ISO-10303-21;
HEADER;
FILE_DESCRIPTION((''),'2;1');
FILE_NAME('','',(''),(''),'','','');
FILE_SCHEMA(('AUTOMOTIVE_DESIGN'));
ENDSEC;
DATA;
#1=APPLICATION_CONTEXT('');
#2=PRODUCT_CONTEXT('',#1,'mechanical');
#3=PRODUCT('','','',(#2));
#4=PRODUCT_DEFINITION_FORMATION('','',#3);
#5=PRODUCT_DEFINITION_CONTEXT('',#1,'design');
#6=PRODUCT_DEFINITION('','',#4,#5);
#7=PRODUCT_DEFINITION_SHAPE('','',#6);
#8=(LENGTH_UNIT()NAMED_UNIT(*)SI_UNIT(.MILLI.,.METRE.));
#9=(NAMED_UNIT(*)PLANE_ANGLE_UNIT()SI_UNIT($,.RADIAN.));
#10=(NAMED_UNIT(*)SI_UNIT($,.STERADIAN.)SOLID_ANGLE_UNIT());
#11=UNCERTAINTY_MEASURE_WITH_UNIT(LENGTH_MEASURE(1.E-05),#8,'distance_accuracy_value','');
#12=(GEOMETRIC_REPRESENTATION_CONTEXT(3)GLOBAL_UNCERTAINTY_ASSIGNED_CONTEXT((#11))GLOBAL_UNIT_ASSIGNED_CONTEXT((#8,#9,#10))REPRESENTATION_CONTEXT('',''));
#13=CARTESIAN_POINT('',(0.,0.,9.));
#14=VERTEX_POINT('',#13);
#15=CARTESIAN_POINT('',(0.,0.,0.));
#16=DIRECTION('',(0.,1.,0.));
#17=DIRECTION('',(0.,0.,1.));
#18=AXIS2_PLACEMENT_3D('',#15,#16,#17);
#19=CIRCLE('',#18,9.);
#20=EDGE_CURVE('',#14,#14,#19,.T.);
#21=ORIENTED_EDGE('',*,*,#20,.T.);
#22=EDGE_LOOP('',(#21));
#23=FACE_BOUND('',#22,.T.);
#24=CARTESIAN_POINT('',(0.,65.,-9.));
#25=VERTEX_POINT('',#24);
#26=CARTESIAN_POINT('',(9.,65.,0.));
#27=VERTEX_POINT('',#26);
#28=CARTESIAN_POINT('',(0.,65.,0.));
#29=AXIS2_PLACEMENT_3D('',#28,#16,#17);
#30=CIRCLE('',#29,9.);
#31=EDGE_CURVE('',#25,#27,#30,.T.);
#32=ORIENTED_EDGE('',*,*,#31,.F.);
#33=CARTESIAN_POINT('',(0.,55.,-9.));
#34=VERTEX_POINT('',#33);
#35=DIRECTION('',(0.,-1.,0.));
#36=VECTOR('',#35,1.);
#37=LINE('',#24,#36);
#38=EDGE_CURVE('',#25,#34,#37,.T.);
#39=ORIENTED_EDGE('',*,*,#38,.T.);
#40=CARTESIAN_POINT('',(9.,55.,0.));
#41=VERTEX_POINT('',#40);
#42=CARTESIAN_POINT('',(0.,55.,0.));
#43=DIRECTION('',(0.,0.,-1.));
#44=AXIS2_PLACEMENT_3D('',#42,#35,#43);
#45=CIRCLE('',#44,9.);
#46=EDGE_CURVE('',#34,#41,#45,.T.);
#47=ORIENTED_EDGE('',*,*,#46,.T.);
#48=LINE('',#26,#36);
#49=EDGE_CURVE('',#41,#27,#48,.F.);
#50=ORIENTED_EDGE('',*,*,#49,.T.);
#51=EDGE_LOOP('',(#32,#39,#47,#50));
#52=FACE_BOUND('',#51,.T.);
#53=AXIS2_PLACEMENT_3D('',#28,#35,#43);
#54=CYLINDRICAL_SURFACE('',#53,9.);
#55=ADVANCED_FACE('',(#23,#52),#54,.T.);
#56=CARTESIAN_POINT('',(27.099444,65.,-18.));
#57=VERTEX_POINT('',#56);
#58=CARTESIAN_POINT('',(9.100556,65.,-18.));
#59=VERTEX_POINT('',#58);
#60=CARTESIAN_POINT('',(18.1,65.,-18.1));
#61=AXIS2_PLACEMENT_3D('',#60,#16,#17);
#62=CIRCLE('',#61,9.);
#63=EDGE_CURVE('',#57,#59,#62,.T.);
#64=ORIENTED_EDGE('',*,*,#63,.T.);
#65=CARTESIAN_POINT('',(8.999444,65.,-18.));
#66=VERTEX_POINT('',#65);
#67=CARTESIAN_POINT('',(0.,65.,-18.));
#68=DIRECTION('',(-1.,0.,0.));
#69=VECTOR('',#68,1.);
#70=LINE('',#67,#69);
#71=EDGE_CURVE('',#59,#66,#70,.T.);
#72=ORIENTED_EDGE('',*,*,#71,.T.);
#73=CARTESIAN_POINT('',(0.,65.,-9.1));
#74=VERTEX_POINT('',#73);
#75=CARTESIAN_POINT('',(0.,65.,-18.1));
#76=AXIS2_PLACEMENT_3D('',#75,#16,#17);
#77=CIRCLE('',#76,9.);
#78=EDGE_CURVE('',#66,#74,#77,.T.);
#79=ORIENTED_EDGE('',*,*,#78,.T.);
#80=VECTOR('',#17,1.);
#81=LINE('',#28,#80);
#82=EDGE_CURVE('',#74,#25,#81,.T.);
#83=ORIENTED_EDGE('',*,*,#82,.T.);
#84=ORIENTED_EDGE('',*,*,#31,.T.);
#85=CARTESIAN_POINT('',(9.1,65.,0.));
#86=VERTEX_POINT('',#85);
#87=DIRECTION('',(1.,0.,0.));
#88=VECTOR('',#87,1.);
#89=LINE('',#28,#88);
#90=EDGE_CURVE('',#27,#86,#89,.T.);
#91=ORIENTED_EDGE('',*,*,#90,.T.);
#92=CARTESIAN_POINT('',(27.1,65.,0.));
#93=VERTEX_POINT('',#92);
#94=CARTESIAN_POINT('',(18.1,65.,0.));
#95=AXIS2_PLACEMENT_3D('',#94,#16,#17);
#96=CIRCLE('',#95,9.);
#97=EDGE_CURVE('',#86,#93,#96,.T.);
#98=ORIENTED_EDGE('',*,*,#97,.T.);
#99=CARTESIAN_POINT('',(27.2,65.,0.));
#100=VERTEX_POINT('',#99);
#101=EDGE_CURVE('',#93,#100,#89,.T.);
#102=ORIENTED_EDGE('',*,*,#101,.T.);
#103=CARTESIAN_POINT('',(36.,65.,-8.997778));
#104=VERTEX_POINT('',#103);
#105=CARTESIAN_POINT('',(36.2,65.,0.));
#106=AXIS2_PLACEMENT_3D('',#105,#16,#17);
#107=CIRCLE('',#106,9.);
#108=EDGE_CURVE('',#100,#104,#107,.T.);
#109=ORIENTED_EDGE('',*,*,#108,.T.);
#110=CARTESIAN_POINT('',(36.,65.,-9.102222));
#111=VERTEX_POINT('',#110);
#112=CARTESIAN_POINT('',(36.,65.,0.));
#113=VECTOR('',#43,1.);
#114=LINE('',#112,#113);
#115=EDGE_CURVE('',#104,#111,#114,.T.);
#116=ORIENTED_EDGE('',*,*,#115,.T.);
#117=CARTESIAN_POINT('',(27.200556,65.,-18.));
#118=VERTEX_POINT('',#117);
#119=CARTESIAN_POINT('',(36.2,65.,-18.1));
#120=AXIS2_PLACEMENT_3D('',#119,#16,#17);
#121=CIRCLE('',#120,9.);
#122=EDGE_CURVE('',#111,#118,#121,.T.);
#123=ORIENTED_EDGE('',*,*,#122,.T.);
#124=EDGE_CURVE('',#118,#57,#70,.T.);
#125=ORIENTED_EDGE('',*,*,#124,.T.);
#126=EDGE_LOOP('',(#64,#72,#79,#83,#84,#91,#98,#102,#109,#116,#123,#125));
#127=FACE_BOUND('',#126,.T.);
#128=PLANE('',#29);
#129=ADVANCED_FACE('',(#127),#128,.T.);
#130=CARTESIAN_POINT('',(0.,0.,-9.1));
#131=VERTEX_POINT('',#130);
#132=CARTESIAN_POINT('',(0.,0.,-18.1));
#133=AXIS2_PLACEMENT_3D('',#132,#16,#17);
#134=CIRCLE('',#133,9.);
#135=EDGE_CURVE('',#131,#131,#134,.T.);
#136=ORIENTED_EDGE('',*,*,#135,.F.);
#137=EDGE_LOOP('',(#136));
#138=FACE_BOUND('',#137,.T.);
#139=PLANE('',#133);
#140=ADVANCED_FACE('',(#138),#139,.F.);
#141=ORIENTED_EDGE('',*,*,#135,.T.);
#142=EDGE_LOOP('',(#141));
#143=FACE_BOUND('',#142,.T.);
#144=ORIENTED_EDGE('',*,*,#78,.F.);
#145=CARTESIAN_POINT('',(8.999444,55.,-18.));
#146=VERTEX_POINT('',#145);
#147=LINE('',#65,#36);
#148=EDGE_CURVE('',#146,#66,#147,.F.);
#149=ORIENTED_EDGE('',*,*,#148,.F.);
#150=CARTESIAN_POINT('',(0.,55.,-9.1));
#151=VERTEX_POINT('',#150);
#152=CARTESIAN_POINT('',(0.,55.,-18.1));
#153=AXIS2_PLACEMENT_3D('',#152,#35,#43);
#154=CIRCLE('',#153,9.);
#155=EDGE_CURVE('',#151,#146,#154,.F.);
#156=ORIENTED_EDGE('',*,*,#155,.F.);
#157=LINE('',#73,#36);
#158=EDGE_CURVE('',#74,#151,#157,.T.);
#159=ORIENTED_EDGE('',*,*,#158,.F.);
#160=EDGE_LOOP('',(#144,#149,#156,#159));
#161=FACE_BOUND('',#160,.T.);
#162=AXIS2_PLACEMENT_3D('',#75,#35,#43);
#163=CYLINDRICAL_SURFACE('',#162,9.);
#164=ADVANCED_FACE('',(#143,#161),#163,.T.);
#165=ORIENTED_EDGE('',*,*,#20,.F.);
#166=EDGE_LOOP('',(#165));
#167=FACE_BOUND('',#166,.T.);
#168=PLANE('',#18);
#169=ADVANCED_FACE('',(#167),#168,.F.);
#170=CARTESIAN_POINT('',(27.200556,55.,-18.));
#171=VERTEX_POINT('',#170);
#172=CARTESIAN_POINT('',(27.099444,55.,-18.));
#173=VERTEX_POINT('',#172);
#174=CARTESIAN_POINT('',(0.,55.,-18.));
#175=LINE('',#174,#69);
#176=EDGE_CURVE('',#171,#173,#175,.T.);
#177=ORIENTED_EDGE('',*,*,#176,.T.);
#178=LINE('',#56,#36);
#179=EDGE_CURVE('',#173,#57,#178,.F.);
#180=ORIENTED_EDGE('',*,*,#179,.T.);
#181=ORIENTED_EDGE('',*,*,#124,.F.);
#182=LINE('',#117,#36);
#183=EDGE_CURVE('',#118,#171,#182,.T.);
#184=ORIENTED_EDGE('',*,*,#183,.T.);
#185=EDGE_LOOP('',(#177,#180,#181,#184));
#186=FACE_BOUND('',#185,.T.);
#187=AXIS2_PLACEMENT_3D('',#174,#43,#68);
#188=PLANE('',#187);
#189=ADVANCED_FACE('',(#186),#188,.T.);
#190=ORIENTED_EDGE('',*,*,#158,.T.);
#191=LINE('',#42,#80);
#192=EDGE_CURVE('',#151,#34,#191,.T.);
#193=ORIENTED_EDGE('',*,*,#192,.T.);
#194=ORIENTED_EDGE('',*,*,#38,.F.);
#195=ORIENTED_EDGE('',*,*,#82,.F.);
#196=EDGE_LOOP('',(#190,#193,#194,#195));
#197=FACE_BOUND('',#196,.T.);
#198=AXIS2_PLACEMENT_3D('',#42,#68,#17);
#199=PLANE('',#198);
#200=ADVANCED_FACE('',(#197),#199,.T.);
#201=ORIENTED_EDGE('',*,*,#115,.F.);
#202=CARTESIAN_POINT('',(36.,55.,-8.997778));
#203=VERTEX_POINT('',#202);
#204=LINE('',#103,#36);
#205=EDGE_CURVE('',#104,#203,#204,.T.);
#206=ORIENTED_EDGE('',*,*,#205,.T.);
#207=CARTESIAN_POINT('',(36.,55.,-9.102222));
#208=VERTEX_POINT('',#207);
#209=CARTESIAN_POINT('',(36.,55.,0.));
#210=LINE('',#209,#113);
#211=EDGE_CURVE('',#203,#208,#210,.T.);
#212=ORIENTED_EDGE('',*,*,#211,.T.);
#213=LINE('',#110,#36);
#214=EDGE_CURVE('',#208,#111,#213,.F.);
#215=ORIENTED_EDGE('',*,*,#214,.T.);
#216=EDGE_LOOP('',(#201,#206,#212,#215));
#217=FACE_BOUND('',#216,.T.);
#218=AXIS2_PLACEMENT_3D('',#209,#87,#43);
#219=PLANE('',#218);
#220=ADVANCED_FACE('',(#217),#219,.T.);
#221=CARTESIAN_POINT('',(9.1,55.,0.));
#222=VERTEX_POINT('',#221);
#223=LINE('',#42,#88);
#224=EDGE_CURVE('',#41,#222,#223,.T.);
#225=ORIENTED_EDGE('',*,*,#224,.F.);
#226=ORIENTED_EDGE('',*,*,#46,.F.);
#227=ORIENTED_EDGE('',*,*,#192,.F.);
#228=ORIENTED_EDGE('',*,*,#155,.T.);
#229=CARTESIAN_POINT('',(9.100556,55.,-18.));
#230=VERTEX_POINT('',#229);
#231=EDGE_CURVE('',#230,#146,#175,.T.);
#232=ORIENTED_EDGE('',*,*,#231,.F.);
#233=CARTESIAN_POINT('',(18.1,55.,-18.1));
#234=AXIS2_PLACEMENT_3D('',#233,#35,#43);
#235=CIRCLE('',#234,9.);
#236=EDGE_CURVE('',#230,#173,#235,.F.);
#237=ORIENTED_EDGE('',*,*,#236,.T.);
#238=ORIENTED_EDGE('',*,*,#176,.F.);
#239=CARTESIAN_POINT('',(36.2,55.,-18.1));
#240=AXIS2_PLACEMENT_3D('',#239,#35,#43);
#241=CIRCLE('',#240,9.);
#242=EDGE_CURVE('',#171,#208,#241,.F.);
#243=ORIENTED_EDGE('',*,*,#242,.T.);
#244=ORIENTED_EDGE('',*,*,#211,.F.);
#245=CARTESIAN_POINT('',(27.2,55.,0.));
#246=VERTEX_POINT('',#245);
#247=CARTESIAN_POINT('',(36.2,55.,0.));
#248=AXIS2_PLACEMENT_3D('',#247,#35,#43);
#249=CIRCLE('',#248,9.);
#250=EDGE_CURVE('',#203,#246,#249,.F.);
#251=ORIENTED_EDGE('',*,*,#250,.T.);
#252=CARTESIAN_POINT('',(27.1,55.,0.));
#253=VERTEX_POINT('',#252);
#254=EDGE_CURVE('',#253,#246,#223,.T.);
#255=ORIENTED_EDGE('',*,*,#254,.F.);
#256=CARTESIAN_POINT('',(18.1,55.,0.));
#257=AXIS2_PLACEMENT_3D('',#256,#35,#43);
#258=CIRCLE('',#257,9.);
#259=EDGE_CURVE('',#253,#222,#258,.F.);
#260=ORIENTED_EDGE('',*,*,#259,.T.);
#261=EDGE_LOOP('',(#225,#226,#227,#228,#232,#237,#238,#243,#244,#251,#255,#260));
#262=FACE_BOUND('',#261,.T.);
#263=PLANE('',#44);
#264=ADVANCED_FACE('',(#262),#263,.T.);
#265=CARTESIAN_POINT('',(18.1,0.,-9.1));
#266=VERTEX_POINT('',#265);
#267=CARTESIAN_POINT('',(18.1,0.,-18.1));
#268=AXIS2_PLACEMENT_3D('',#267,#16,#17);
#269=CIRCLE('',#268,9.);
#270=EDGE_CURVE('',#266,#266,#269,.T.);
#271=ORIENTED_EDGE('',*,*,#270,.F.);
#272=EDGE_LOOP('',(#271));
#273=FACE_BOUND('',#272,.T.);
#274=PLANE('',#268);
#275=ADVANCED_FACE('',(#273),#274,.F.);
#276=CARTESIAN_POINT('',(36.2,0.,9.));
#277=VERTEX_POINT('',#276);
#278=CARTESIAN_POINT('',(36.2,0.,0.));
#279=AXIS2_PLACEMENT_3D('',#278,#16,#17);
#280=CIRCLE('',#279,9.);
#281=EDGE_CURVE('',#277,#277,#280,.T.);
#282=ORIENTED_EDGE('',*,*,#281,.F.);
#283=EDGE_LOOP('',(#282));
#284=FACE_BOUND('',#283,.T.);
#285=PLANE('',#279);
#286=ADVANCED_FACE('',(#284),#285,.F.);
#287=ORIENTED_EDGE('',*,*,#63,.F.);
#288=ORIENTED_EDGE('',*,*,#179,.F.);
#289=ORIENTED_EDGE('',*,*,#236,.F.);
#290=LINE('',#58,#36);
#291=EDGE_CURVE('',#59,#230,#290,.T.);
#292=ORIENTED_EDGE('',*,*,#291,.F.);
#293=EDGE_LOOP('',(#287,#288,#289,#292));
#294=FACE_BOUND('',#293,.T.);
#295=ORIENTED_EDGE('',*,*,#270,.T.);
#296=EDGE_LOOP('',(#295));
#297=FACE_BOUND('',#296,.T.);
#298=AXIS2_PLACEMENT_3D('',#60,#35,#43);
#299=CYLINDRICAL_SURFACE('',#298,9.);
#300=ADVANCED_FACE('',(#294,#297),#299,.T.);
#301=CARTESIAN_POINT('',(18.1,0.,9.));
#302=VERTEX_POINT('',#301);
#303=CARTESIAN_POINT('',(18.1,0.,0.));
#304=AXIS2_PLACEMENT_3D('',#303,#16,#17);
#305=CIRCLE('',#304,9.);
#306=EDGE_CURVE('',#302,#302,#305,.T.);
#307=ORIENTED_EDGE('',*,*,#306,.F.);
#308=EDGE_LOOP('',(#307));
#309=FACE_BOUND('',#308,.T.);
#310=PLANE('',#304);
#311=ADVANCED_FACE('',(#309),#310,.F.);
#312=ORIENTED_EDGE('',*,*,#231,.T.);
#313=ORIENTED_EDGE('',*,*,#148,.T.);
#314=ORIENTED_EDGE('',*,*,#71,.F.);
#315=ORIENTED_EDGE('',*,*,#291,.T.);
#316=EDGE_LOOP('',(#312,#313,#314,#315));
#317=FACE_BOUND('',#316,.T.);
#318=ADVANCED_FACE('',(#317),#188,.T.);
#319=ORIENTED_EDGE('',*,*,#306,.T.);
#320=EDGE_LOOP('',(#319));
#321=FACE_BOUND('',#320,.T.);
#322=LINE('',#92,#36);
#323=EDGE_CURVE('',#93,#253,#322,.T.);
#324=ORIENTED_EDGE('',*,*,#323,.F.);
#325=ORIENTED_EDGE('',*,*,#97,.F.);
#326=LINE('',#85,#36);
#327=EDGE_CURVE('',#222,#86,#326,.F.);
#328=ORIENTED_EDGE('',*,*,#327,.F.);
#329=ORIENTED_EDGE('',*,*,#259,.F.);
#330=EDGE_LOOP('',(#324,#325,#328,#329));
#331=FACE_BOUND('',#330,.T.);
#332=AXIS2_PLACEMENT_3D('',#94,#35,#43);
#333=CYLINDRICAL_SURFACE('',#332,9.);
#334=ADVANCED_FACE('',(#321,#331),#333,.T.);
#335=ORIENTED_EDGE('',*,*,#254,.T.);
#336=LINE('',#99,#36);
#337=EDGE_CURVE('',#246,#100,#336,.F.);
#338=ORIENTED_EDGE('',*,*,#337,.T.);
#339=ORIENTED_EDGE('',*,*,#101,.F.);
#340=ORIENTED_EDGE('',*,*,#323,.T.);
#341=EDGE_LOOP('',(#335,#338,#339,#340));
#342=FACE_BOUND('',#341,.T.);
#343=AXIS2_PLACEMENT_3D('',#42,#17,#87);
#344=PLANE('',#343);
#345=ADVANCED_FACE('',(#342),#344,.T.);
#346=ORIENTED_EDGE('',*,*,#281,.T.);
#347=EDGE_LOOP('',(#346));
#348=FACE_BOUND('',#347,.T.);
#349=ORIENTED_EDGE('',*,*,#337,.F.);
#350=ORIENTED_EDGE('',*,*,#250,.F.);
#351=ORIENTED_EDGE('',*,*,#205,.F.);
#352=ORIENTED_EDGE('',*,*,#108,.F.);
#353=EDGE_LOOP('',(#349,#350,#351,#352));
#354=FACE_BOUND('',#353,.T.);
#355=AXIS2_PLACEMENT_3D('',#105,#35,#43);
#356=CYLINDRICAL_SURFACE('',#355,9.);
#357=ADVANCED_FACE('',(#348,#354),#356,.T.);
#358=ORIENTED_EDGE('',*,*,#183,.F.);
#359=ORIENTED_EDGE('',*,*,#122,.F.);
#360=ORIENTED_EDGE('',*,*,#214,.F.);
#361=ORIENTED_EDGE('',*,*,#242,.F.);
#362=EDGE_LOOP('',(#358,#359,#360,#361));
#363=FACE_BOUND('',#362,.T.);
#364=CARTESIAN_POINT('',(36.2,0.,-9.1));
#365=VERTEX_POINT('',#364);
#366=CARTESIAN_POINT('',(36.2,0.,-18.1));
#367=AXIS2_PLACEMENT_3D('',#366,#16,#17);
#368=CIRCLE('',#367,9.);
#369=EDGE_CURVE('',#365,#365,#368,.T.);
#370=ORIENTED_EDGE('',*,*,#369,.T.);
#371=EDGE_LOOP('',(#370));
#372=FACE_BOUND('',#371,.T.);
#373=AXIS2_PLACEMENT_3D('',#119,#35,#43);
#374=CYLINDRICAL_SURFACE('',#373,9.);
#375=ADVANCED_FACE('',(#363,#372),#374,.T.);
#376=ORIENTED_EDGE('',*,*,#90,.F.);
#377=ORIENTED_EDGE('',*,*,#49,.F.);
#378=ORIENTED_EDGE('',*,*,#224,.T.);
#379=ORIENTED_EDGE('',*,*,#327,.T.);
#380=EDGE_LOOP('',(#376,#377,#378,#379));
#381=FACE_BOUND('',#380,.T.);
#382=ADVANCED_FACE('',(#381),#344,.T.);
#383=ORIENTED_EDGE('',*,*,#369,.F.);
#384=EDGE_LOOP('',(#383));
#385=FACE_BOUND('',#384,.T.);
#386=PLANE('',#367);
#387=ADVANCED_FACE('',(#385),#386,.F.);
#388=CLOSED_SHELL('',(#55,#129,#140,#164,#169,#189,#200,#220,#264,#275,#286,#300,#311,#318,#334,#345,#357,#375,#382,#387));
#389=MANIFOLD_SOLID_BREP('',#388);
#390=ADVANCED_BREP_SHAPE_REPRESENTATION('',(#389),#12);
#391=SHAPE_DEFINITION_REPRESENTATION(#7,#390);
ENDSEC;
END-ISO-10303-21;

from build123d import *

# Parameters (mm, degrees)
CROQUIS1_R              = 9
SALIENTE_EXTRUIR1_DEPTH = 65
CROQUIS2_W              = 36
CROQUIS2_H              = 18
SALIENTE_EXTRUIR2_DEPTH = 10
MATRIZL1_COUNT          = 3
MATRIZL1_PITCH          = 18.1
MATRIZL1_COUNT_DIR2     = 2
MATRIZL1_PITCH_DIR2     = 18.1


with BuildPart() as part:
    # Croquis1 → Saliente-Extruir1 (new body)
    with BuildSketch(Plane(origin=(0, 0, 0), x_dir=(1, 0, 0), z_dir=(0, 1, 0))):
        with Locations(Location((0, 0, 0), (0, 0, 270))):
            Circle(CROQUIS1_R)
    saliente_extruir1 = extrude(amount=SALIENTE_EXTRUIR1_DEPTH)

    # Croquis2 → Saliente-Extruir2 (add)
    with BuildSketch(Plane(origin=(0, 65, 0), x_dir=(1, 0, 0), z_dir=(0, 1, 0))):
        with Locations((18, 9)):
            Rectangle(CROQUIS2_W, CROQUIS2_H)
    extrude(amount=-SALIENTE_EXTRUIR2_DEPTH)

    # MatrizL1: Saliente-Extruir1 3 × 2
    with Locations(*[(i * MATRIZL1_PITCH, 0, -j * MATRIZL1_PITCH_DIR2) for i in range(MATRIZL1_COUNT) for j in range(MATRIZL1_COUNT_DIR2) if (i, j) != (0, 0)]):
        add(saliente_extruir1)


solid = part.part
